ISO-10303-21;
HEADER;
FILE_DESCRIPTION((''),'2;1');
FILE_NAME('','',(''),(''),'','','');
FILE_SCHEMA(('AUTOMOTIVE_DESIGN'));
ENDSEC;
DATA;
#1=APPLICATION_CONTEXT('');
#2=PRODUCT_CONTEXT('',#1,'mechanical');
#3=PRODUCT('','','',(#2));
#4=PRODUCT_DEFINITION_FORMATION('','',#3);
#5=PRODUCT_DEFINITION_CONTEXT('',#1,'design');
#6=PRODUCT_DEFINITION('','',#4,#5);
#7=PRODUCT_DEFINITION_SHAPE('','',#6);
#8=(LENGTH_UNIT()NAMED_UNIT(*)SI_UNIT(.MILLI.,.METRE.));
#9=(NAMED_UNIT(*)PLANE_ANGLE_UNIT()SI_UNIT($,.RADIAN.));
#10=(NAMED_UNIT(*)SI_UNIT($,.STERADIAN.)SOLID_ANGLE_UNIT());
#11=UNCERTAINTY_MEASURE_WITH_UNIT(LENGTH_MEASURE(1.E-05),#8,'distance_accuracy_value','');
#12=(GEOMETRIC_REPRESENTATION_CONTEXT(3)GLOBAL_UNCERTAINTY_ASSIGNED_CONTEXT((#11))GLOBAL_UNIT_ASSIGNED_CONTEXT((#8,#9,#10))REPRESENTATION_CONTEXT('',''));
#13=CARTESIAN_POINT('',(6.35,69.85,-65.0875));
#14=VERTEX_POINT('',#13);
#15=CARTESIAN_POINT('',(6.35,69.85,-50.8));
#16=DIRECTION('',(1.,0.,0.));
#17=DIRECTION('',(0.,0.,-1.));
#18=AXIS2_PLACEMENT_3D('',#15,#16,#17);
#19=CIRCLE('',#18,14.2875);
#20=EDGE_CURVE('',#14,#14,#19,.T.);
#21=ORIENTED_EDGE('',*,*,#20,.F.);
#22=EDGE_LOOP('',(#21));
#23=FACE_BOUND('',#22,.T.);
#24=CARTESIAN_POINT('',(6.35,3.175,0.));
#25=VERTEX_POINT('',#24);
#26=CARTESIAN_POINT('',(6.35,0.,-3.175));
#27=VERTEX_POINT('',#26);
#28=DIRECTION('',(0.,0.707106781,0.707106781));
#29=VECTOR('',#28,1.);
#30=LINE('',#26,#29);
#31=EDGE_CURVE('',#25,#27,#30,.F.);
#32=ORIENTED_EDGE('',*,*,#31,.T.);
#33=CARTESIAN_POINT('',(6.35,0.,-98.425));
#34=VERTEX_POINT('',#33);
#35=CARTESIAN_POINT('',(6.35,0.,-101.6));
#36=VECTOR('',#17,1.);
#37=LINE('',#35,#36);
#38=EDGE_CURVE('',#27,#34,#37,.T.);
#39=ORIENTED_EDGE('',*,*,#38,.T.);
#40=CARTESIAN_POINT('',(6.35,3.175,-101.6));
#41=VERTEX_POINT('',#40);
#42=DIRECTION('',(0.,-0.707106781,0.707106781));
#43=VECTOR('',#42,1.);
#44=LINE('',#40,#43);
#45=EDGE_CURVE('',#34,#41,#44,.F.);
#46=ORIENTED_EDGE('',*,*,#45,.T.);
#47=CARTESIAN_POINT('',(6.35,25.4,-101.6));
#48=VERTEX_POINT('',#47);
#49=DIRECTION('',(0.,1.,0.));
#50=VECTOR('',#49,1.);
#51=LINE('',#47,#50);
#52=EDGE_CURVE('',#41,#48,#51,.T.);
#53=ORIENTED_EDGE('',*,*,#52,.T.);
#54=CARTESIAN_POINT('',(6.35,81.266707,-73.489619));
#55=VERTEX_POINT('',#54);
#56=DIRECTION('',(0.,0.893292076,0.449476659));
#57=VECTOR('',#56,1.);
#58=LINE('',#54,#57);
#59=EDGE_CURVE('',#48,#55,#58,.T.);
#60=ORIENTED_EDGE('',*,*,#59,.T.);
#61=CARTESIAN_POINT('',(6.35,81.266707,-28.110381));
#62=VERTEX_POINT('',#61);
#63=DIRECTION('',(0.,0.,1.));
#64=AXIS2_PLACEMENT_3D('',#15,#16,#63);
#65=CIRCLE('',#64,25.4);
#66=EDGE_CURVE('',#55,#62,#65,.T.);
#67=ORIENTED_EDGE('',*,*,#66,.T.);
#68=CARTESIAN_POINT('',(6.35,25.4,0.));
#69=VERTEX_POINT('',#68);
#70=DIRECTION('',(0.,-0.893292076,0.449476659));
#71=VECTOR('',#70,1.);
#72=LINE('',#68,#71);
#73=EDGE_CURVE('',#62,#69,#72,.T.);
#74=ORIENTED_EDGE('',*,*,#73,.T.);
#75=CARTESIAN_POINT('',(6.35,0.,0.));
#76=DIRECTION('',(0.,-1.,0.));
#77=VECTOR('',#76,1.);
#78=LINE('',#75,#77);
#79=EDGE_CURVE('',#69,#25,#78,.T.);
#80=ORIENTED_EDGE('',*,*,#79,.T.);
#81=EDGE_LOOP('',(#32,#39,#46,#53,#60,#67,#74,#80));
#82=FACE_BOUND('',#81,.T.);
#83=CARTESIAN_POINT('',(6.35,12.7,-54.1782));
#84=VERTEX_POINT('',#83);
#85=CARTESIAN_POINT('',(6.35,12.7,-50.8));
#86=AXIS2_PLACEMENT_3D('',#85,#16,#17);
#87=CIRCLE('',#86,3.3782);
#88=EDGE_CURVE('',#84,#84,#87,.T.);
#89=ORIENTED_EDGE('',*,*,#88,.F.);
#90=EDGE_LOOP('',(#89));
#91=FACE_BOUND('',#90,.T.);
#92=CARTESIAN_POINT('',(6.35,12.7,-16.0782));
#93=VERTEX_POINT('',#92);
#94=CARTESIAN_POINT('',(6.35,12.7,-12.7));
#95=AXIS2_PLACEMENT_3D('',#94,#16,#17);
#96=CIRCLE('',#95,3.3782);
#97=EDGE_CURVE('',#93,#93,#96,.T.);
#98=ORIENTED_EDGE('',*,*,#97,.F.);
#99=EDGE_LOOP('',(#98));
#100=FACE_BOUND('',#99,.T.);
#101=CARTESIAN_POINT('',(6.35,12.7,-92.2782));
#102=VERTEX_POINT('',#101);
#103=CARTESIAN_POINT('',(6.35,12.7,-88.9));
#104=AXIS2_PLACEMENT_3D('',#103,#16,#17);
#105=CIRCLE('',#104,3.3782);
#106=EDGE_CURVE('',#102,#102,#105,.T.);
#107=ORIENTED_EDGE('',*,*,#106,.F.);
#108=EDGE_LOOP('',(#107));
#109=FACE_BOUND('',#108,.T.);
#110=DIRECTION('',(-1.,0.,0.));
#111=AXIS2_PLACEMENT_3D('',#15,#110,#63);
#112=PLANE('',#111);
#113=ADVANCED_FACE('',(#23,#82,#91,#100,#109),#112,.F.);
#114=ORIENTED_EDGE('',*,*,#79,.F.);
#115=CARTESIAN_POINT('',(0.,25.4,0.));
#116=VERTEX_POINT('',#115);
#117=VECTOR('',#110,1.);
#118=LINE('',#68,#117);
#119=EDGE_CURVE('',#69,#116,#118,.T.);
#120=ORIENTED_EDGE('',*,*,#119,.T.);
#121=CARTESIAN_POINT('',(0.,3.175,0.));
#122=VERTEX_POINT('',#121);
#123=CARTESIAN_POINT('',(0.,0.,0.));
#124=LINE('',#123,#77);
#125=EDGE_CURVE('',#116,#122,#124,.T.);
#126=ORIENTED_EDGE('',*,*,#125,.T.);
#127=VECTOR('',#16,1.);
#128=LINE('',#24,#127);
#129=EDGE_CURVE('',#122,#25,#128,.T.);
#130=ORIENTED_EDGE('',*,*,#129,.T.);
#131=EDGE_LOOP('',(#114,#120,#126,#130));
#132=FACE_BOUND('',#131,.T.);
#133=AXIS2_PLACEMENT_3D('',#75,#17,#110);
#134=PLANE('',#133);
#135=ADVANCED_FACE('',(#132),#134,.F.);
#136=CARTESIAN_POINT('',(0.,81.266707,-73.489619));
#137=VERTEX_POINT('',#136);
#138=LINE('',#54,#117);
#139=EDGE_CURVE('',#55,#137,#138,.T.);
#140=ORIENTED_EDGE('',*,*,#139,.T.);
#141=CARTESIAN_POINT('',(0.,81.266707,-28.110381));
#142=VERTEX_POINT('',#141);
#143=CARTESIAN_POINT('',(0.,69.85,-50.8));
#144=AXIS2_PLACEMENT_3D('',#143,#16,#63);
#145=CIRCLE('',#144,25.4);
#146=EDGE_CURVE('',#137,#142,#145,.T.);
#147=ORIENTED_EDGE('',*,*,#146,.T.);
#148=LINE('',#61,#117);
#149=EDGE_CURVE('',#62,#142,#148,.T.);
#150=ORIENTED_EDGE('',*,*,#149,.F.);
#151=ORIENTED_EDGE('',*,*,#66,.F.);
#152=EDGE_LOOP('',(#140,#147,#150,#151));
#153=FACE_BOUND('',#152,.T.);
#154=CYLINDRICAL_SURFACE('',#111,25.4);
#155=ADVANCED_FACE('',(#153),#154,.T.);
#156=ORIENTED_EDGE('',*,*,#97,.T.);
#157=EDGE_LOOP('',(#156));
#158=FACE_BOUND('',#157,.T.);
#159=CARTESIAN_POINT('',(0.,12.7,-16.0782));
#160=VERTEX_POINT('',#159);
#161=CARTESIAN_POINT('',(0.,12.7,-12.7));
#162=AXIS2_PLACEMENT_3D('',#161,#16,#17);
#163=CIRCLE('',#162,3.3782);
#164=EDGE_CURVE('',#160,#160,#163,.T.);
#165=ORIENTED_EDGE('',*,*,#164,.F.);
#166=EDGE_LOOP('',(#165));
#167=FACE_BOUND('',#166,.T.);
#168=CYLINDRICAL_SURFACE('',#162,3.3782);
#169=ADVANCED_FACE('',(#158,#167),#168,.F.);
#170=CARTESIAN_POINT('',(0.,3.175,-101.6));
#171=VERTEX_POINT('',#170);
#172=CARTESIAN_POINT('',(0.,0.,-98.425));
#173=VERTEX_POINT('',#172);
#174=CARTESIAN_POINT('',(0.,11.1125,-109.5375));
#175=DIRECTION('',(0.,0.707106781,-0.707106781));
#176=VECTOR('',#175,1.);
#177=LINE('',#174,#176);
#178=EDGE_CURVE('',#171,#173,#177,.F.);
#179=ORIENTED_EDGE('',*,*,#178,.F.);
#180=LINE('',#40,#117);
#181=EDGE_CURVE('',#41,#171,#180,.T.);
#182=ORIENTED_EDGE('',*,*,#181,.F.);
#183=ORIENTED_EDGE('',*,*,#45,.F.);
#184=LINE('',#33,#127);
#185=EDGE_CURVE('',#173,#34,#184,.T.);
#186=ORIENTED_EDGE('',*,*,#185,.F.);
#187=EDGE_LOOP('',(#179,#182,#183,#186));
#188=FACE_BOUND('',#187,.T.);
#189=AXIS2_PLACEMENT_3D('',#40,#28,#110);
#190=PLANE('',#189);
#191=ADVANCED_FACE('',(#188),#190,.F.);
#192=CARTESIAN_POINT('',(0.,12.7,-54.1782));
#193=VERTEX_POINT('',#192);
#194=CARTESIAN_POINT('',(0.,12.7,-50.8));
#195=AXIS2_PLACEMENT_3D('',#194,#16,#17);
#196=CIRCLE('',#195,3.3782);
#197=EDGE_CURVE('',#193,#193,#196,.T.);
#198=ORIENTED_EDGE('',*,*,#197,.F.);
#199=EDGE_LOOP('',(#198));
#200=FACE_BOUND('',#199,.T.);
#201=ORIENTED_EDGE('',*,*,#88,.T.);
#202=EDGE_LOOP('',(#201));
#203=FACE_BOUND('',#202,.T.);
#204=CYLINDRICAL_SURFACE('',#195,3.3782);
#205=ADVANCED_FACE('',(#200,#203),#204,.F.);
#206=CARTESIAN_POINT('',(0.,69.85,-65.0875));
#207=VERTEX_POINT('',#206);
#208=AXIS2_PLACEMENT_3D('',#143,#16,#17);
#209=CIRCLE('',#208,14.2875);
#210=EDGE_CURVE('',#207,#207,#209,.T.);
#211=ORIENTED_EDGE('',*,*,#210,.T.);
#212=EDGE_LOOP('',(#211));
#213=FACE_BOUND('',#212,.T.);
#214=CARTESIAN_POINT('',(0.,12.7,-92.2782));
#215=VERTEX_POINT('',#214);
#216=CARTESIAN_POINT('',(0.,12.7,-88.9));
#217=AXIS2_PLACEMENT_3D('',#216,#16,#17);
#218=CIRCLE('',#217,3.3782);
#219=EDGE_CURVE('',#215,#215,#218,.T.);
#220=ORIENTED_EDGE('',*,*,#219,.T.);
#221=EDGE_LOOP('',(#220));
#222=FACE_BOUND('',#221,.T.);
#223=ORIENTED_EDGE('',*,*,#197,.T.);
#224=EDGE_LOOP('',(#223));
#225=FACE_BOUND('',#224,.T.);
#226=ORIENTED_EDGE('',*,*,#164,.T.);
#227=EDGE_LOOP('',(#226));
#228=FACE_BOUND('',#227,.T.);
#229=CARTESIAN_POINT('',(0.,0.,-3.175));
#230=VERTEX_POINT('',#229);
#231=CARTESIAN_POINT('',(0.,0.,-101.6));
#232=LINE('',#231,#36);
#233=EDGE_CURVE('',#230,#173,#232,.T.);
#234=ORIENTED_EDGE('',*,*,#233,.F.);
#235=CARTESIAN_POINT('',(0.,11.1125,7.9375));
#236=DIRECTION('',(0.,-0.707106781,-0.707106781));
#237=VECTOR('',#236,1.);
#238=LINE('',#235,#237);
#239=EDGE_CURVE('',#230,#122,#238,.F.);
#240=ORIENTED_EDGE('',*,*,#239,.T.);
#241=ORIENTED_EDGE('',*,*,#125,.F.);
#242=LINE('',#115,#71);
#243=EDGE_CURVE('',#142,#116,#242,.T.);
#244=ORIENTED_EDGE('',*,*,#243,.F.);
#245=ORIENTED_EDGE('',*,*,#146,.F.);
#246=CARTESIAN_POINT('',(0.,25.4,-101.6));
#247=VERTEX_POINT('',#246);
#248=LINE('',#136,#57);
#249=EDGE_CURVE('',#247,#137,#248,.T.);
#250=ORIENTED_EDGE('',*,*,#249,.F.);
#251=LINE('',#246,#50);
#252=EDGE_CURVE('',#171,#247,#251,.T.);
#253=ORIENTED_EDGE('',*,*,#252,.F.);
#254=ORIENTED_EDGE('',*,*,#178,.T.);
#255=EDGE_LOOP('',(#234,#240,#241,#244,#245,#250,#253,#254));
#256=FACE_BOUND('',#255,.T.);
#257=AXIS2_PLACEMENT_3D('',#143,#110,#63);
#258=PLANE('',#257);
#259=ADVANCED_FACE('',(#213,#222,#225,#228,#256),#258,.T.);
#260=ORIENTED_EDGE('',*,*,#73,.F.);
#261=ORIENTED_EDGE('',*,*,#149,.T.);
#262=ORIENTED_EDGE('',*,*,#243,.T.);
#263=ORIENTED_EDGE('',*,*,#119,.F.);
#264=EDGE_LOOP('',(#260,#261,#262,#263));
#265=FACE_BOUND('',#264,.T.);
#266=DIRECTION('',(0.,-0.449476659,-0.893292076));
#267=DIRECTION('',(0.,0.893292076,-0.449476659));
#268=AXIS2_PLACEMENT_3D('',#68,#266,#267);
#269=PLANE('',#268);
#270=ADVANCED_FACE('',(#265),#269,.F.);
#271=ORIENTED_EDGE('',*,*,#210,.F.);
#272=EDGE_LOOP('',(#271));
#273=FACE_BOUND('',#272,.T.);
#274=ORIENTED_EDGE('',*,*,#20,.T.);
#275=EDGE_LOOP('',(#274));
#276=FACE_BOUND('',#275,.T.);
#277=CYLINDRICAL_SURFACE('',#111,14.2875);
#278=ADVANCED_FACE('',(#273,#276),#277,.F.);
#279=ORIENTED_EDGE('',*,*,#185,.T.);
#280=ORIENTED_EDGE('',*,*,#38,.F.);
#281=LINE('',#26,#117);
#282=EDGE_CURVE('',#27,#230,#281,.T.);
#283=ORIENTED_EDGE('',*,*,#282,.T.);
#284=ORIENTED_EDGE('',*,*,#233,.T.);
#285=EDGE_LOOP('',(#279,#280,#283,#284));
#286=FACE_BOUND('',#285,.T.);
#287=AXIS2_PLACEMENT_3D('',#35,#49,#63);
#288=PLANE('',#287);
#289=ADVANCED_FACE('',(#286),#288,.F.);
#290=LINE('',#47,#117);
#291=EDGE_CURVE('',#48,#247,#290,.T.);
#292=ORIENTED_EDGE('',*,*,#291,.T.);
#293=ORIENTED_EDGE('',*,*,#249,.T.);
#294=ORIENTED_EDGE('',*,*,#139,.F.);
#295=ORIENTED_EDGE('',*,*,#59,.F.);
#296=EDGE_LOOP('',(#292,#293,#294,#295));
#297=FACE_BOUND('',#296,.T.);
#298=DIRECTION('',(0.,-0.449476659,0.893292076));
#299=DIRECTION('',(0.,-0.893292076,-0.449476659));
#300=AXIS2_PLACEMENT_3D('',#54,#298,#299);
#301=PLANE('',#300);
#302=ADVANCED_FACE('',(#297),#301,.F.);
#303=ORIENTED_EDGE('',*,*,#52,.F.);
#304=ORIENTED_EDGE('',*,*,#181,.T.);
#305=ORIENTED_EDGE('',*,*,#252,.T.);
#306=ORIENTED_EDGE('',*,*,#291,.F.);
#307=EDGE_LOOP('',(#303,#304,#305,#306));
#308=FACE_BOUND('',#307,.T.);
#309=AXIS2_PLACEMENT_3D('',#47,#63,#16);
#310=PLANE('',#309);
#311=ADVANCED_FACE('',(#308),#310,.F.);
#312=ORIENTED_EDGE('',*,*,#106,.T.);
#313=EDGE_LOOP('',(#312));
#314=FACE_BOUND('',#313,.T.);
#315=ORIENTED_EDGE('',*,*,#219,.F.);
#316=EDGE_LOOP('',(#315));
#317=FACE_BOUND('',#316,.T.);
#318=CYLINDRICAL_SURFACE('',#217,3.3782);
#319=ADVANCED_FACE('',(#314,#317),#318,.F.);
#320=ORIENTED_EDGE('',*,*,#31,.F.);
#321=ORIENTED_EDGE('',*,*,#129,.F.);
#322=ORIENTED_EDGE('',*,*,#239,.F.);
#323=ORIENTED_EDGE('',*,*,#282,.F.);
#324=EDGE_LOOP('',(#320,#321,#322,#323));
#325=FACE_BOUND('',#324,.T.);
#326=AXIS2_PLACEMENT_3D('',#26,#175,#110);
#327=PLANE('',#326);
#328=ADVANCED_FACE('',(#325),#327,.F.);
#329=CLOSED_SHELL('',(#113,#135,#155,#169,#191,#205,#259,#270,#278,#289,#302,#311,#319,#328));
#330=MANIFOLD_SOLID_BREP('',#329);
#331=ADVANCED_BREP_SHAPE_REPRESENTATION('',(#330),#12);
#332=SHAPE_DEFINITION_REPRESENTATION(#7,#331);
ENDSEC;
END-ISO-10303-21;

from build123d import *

# Parameters (mm, degrees)
SKETCH1_R           = 14.2875
BOSS_EXTRUDE1_DEPTH = 6.35
SKETCH2_R           = 3.3782
CUT_EXTRUDE1_DEPTH  = 7.35
CHAMFER1_SIZE       = 3.175


with BuildPart() as part:
    # Sketch1 → Boss-Extrude1 (new body)
    with BuildSketch(Plane(origin=(0, 0, 0), x_dir=(0, 0, -1), z_dir=(1, 0, 0))):
        with BuildLine():
            Line((0, 0), (0, 25.4))
            Line((0, 25.4), (28.110381264, 81.266707127))
            ThreePointArc((28.110381264, 81.266707127), (50.8, 95.25), (73.489618736, 81.266707127))
            Line((73.489618736, 81.266707127), (101.6, 25.4))
            Line((101.6, 25.4), (101.6, 0))
            Line((101.6, 0), (0, 0))
        make_face()
        with Locations((50.8, 69.85)):
            Circle(SKETCH1_R, mode=Mode.SUBTRACT)
    extrude(amount=BOSS_EXTRUDE1_DEPTH)

    # Sketch2 → Cut-Extrude1 (cut, through all)
    with BuildSketch(Plane(origin=(6.35, 0, 0), x_dir=(0, 0, -1), z_dir=(1, 0, 0))):
        with Locations((12.7, 12.7)):
            Circle(SKETCH2_R)
        with Locations((50.8, 12.7)):
            Circle(SKETCH2_R)
        with Locations((88.9, 12.7)):
            Circle(SKETCH2_R)
    extrude(amount=-CUT_EXTRUDE1_DEPTH, mode=Mode.SUBTRACT)

    # Chamfer1
    chamfer1_edges = [part.edges().sort_by_distance(p)[0] for p in [
        (3.175, 0, 0),
        (3.175, 0, -101.6),
    ]]
    chamfer(chamfer1_edges, length=CHAMFER1_SIZE)


solid = part.part
